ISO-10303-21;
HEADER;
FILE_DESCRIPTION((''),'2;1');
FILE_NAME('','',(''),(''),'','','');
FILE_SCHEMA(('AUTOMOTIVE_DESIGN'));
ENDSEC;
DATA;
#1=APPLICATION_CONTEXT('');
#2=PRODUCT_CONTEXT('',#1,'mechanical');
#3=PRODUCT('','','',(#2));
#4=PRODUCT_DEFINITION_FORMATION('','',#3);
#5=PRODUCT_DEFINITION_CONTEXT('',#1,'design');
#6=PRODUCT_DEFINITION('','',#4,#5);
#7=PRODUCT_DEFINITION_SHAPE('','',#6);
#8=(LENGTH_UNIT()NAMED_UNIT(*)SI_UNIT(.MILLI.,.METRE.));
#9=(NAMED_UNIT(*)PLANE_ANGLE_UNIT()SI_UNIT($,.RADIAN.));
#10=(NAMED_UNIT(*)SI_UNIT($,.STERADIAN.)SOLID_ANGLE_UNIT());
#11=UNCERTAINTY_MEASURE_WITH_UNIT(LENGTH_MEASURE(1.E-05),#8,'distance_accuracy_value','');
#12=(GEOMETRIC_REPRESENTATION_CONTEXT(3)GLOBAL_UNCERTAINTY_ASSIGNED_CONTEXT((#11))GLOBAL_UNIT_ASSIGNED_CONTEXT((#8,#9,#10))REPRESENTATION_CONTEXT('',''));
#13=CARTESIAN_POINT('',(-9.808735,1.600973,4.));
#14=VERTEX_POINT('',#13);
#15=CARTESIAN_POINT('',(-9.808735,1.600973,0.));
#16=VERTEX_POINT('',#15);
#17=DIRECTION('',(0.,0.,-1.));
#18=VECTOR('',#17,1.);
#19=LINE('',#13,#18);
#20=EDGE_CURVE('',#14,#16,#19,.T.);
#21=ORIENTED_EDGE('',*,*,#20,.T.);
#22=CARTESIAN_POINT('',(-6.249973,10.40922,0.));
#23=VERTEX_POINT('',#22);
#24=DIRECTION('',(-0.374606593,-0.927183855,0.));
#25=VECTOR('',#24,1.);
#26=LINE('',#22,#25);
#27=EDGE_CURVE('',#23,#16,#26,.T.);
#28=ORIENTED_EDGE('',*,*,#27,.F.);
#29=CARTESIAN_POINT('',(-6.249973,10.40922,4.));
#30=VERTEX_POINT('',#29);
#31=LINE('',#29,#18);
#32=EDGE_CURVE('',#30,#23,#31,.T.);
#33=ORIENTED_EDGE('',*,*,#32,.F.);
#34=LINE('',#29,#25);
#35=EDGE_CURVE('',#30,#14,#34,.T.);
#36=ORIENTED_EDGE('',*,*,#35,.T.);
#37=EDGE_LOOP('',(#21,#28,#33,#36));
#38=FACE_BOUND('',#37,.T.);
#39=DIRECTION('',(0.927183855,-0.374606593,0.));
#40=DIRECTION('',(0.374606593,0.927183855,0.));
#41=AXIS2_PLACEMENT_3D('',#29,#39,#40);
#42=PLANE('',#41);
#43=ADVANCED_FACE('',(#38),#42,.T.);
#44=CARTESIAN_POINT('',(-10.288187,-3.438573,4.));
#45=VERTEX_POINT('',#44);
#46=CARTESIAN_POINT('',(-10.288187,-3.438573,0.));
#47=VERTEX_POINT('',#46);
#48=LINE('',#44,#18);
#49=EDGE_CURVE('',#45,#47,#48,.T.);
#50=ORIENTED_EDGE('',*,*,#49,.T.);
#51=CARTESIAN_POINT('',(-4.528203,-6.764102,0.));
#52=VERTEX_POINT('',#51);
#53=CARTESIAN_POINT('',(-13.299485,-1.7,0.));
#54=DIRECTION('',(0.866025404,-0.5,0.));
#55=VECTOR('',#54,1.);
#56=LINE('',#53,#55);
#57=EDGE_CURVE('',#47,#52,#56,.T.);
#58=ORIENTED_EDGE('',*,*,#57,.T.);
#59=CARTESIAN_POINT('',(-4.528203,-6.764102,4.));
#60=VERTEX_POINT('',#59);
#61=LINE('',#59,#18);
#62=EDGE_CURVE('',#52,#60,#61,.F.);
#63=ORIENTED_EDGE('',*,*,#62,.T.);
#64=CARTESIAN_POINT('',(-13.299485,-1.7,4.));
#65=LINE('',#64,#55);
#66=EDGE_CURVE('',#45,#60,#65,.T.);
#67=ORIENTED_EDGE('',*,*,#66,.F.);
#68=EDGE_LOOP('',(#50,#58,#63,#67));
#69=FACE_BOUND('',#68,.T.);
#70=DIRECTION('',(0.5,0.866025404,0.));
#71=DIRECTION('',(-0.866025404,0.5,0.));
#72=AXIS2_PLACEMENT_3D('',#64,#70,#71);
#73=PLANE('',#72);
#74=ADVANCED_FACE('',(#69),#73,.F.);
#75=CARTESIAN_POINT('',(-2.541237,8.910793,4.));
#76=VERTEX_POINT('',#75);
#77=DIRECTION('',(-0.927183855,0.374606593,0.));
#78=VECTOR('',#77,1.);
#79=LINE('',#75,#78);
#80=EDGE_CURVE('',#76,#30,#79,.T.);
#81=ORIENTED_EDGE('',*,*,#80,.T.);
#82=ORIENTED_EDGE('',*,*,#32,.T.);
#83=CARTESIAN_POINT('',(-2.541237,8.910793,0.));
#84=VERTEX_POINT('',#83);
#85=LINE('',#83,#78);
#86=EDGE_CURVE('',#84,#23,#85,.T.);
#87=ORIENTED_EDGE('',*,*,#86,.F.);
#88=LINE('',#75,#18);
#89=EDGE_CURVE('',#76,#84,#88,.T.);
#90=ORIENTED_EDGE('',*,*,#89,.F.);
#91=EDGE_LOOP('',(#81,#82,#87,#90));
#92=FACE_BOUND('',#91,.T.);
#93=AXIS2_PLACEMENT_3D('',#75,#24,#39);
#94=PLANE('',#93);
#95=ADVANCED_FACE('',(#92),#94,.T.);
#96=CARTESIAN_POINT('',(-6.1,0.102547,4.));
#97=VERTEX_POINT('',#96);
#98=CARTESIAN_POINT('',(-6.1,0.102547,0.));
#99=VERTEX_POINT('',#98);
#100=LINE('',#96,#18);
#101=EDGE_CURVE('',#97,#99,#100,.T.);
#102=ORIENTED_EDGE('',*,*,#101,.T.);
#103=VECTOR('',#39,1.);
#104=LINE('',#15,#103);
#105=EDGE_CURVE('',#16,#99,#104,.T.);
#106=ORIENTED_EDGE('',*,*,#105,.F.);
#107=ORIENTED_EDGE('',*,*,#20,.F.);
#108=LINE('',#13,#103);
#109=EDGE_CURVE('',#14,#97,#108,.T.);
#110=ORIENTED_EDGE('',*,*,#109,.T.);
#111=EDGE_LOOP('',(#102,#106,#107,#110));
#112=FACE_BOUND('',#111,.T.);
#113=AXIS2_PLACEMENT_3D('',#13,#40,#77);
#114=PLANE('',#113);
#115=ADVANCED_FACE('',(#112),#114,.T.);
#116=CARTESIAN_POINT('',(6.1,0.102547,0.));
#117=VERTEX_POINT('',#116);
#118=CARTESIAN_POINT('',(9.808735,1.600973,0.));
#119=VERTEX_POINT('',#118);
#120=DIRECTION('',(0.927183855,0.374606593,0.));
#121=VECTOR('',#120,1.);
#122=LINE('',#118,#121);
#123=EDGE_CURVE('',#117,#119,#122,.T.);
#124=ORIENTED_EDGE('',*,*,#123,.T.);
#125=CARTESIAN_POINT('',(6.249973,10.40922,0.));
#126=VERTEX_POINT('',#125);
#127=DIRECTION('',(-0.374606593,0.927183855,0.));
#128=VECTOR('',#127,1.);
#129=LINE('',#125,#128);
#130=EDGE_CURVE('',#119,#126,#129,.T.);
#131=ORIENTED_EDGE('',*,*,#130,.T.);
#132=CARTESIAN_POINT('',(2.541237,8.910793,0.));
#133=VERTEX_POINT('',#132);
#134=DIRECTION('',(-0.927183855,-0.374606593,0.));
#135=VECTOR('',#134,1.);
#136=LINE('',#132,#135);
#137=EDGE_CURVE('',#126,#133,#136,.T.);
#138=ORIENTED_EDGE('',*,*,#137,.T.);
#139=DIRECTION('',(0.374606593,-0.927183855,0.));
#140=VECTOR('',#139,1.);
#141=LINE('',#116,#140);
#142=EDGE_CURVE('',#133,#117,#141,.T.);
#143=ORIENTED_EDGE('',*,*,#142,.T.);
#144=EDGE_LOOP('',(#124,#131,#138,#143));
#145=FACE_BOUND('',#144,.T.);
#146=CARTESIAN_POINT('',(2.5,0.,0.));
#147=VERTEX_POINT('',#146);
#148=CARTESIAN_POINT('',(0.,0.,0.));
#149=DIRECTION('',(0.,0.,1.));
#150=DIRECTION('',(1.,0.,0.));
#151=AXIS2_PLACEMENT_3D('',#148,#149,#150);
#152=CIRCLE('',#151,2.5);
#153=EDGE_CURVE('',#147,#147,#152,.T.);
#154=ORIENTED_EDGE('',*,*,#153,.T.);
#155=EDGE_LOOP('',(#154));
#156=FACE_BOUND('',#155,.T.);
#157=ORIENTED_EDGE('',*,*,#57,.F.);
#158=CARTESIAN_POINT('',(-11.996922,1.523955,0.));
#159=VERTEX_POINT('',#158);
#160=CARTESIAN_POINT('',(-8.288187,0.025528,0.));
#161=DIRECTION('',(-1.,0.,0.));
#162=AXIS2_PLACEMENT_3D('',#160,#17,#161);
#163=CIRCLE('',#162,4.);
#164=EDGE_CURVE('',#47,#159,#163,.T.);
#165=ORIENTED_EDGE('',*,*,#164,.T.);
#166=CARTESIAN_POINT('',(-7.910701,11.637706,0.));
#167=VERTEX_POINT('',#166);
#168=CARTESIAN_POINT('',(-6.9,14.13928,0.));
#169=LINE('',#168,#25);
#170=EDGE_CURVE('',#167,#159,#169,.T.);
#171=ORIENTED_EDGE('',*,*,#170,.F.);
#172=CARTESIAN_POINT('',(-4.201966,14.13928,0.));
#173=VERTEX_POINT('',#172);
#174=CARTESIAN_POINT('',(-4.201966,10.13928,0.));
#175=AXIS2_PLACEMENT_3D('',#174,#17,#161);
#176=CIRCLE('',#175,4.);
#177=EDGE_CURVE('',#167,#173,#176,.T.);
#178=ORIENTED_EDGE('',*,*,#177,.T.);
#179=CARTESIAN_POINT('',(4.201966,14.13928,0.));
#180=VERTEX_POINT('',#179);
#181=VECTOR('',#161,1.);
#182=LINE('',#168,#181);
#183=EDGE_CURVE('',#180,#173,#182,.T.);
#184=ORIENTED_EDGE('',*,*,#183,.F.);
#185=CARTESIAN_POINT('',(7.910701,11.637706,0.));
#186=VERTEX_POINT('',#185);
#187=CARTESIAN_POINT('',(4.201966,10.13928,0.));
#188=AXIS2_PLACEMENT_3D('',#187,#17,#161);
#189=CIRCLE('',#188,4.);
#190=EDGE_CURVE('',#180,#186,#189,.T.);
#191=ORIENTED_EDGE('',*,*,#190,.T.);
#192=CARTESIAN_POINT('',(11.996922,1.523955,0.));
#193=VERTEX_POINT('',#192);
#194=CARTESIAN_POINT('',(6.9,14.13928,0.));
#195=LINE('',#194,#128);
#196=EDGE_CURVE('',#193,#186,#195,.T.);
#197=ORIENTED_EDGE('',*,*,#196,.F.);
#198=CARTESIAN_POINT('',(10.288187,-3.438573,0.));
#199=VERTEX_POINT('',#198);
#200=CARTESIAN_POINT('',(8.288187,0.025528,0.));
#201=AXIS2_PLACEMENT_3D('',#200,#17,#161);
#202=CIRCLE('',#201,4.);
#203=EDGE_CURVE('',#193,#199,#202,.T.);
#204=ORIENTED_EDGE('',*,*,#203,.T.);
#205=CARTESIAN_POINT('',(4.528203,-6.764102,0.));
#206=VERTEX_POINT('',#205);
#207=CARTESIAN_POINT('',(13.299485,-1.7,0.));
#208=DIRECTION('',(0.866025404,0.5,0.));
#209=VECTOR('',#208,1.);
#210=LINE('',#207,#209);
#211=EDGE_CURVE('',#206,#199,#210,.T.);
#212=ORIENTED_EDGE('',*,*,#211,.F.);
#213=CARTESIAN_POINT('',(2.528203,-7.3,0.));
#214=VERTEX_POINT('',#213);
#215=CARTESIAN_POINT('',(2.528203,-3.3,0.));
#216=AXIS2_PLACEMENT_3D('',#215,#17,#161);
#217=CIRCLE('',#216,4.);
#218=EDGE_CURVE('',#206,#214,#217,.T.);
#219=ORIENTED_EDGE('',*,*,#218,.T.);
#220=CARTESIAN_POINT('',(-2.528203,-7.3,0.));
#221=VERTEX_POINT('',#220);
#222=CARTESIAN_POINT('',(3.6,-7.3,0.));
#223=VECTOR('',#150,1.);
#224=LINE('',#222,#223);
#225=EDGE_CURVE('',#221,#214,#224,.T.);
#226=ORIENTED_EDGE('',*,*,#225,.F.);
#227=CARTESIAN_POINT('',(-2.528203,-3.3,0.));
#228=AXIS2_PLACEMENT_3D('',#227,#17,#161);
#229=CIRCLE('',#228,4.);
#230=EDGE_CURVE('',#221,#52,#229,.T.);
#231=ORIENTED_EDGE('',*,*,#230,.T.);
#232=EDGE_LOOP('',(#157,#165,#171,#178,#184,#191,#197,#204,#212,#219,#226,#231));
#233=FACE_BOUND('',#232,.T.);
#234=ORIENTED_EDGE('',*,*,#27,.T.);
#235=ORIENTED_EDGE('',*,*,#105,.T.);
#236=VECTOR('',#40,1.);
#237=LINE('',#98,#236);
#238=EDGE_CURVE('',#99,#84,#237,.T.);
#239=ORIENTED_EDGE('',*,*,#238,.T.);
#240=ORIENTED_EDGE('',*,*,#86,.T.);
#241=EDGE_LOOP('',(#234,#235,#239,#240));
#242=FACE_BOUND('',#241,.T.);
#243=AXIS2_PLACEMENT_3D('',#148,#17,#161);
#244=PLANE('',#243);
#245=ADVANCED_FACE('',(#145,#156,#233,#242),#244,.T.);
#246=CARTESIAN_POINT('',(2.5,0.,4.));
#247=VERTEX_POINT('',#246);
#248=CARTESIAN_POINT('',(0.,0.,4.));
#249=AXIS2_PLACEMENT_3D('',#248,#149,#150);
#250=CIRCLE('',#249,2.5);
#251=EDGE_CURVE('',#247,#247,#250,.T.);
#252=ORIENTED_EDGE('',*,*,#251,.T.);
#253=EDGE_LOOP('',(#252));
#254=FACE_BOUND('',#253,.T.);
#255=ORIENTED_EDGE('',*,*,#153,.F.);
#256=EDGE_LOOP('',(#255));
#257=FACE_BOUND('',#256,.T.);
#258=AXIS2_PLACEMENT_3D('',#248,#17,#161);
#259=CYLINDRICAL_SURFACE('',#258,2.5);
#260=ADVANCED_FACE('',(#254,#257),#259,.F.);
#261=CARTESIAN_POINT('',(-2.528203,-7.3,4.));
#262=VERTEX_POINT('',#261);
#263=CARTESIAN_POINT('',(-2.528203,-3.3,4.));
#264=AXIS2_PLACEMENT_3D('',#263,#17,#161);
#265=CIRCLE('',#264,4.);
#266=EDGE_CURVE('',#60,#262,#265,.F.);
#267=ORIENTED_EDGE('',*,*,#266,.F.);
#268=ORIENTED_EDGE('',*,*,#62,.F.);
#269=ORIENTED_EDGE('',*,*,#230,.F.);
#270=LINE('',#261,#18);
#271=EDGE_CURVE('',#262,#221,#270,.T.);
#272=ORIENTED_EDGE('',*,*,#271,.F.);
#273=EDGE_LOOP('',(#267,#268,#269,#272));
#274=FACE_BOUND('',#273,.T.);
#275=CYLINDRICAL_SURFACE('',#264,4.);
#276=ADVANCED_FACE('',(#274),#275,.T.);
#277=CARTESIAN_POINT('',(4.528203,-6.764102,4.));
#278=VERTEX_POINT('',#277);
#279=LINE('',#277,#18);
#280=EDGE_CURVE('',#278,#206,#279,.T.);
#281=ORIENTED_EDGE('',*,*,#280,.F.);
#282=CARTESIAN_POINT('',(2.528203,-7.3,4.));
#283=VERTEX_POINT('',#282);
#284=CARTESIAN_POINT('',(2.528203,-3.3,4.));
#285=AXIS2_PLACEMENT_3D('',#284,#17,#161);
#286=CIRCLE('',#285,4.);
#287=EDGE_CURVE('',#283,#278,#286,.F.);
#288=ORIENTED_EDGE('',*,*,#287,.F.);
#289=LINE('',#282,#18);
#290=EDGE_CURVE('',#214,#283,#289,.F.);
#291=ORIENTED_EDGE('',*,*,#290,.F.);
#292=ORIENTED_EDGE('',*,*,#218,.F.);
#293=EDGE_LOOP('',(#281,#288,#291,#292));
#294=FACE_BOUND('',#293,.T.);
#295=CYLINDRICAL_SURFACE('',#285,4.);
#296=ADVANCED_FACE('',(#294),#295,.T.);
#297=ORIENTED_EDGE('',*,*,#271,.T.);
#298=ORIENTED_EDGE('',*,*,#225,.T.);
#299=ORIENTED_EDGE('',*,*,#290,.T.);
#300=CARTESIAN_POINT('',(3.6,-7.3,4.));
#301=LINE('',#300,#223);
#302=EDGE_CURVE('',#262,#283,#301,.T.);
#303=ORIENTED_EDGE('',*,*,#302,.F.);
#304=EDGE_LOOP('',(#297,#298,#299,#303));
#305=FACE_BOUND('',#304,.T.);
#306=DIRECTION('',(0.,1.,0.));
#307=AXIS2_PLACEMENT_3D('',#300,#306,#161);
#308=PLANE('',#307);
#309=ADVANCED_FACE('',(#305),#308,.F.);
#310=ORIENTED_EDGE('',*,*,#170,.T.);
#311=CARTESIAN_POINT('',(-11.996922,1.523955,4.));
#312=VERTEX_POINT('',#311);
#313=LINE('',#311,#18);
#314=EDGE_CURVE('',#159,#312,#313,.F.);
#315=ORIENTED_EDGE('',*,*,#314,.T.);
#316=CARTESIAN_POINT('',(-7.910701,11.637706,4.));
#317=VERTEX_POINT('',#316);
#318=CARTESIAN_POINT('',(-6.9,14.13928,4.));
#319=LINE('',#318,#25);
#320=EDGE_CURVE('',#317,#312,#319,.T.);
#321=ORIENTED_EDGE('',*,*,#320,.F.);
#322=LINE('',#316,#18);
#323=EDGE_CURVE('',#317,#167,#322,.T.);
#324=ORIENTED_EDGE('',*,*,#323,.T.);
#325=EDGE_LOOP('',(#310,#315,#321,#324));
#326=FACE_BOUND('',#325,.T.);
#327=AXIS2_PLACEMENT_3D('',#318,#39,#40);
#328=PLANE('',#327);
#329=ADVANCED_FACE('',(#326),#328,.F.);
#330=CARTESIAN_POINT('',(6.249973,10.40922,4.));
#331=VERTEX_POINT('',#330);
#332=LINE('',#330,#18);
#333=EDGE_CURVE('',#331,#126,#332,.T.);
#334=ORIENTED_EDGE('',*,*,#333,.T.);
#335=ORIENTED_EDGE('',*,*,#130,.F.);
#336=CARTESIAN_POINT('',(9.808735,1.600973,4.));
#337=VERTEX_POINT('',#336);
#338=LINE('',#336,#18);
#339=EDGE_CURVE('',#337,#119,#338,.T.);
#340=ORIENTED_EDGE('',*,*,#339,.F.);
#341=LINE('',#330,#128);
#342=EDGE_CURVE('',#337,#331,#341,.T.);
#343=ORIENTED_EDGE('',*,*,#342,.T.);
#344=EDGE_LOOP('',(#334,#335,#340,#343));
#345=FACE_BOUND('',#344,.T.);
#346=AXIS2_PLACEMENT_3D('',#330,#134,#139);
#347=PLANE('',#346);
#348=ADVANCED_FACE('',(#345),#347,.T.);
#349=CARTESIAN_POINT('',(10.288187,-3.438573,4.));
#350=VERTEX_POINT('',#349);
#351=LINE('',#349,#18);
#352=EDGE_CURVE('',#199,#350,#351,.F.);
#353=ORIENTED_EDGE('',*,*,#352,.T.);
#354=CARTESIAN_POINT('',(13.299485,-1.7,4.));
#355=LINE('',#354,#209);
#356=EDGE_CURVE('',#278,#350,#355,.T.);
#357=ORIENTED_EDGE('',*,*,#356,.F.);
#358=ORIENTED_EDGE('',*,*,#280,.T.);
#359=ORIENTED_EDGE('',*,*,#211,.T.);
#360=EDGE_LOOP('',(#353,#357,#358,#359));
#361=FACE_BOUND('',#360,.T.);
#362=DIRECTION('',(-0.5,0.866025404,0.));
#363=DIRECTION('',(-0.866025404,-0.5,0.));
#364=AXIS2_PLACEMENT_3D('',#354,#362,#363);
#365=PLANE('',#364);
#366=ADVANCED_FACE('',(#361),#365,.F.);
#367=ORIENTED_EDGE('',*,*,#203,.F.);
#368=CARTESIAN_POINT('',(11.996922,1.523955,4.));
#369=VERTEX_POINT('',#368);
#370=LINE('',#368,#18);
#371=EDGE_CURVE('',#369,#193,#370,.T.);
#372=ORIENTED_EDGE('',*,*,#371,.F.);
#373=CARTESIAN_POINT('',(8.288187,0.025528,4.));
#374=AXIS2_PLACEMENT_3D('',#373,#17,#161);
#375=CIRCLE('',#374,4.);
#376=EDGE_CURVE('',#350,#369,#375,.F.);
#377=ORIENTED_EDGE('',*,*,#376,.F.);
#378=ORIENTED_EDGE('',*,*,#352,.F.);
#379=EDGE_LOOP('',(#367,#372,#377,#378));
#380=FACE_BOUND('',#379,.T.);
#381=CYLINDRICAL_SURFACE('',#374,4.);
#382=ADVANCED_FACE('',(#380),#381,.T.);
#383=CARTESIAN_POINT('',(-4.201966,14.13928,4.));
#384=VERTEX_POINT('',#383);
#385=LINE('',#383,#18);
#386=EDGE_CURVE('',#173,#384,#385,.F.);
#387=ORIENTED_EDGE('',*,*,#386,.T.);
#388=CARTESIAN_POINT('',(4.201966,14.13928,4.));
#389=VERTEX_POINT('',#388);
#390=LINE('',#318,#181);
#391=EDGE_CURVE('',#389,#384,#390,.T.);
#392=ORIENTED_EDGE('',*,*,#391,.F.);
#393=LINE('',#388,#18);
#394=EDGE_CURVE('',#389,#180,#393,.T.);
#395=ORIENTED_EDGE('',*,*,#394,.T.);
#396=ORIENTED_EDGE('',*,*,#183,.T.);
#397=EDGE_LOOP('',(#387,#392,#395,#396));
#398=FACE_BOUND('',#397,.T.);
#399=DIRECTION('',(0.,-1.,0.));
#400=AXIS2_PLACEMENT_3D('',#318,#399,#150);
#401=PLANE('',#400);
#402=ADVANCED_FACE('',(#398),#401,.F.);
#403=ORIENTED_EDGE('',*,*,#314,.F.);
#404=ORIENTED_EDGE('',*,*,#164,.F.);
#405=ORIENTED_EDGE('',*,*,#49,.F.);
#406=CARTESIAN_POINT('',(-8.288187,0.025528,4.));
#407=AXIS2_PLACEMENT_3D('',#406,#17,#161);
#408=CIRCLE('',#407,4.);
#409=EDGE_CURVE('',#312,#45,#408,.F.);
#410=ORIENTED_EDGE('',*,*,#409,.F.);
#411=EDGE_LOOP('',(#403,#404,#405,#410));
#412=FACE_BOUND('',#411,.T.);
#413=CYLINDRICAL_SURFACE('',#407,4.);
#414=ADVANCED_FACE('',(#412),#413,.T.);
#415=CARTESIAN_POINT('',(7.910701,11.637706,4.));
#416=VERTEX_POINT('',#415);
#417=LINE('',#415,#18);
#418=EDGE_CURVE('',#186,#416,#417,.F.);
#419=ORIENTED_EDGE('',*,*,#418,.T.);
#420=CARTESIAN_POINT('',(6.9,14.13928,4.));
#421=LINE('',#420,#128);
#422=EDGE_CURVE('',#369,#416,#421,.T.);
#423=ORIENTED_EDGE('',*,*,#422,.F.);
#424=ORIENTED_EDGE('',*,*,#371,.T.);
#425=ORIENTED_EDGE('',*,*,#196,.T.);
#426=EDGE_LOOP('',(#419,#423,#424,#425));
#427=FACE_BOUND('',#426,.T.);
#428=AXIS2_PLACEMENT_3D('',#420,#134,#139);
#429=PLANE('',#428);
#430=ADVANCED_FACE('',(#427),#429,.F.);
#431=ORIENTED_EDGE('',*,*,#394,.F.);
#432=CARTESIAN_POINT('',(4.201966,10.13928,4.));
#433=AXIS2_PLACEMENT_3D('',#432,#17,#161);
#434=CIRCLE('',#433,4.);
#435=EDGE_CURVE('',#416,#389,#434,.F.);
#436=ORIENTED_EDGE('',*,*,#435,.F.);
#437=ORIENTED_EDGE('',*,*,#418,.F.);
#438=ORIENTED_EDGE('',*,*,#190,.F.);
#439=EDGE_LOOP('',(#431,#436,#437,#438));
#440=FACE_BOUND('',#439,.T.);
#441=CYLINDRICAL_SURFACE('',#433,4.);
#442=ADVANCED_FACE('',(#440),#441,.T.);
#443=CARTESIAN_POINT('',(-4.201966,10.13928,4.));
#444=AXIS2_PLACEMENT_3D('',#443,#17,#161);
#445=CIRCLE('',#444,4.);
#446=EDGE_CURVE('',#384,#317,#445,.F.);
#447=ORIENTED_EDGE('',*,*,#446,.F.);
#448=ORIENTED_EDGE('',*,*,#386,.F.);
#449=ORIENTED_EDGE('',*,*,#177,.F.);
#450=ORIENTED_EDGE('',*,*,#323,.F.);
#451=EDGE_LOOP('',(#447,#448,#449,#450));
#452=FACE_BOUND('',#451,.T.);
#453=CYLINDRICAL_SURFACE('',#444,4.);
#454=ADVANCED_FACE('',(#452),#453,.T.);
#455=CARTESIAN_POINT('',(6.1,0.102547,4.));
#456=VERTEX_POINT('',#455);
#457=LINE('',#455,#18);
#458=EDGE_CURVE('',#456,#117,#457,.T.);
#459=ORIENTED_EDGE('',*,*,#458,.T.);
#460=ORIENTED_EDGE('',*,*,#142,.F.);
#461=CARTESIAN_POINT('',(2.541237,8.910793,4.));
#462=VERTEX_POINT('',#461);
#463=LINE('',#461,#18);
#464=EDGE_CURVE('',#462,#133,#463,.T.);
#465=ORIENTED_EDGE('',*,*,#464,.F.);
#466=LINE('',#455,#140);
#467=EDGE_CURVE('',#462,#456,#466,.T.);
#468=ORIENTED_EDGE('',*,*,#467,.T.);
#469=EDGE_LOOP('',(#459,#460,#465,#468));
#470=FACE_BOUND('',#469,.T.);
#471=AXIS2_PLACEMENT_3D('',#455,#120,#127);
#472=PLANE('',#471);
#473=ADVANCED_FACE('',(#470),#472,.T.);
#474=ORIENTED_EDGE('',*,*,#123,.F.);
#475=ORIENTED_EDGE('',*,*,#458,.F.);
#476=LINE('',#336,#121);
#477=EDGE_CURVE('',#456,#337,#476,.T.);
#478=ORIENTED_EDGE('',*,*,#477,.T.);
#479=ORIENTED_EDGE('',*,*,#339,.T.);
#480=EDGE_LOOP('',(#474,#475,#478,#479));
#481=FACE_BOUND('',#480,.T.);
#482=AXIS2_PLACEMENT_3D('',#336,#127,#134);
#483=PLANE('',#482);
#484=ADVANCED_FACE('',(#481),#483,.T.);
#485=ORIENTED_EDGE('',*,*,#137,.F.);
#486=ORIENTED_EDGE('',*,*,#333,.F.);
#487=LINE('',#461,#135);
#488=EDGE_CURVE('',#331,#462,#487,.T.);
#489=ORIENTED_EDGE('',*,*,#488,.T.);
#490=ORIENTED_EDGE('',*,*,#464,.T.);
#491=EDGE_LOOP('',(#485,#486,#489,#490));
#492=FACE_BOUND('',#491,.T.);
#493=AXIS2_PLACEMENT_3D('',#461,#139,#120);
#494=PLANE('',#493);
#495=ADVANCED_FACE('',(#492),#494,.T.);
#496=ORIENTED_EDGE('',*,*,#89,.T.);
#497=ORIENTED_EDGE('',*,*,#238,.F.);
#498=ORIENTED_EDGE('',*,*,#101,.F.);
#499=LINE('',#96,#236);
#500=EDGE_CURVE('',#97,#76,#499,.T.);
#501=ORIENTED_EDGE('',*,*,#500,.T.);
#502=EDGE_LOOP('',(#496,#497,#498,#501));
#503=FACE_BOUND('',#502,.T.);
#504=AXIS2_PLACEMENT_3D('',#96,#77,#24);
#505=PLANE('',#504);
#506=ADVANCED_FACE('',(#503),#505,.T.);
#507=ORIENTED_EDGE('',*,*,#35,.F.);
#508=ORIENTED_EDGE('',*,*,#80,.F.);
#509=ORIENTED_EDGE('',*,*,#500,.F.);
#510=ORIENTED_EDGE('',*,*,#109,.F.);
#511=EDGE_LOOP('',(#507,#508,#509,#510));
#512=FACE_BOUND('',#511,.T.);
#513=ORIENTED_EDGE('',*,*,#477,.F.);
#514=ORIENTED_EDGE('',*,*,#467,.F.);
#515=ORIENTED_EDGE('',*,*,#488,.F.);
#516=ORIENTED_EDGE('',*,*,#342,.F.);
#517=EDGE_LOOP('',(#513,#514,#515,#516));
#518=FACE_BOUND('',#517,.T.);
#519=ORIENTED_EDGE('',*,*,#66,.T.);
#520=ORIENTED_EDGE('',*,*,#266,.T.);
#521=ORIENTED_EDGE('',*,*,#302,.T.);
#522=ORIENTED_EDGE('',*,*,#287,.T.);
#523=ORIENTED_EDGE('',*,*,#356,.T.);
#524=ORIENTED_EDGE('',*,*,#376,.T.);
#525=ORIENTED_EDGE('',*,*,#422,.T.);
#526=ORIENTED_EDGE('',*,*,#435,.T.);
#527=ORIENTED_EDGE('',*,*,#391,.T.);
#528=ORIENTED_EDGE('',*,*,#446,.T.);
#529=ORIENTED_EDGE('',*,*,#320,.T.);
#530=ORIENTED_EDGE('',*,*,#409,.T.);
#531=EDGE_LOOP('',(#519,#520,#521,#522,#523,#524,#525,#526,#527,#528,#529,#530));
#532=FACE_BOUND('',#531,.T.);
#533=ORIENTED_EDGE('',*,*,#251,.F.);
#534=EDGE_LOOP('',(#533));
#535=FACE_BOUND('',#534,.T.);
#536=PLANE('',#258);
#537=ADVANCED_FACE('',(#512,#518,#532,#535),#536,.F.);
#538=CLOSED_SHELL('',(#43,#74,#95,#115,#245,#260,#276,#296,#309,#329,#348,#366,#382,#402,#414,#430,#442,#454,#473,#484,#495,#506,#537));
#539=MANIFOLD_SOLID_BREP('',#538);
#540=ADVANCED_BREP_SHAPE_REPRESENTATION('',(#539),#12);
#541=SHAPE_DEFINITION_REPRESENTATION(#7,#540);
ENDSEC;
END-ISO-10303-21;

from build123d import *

# Parameters (mm, degrees)
SKETCH_1_R      = 2.5
EXTRUDE_1_DEPTH = 4
FILLET_1_R      = 4


with BuildPart() as part:
    # ｽｹｯﾁ1 → ﾎﾞｽ - 押し出し1 (new body)
    with BuildSketch(Plane.XY):
        Polygon((-6.9, 14.13928001), (6.9, 14.13928001), (13.299484522, -1.7), (3.6, -7.3), (-3.6, -7.3), (-13.299484522, -1.7), align=None)
        Circle(SKETCH_1_R, mode=Mode.SUBTRACT)
        Polygon((2.541237363, 8.910793136), (6.249972781, 10.409219509), (9.808735418, 1.600972891), (6.1, 0.102546517), align=None, mode=Mode.SUBTRACT)
        Polygon((-6.1, 0.102546517), (-2.541237363, 8.910793136), (-6.249972781, 10.409219509), (-9.808735418, 1.600972891), align=None, mode=Mode.SUBTRACT)
    extrude(amount=EXTRUDE_1_DEPTH)

    # ﾌｨﾚｯﾄ1
    fillet_1_edges = [part.edges().sort_by_distance(p)[0] for p in [
        (13.299484522, -1.7, 2),
        (3.6, -7.3, 2),
        (-3.6, -7.3, 2),
        (-13.299484522, -1.7, 2),
        (-6.9, 14.13928001, 2),
        (6.9, 14.13928001, 2),
    ]]
    fillet(fillet_1_edges, radius=FILLET_1_R)


solid = part.part
